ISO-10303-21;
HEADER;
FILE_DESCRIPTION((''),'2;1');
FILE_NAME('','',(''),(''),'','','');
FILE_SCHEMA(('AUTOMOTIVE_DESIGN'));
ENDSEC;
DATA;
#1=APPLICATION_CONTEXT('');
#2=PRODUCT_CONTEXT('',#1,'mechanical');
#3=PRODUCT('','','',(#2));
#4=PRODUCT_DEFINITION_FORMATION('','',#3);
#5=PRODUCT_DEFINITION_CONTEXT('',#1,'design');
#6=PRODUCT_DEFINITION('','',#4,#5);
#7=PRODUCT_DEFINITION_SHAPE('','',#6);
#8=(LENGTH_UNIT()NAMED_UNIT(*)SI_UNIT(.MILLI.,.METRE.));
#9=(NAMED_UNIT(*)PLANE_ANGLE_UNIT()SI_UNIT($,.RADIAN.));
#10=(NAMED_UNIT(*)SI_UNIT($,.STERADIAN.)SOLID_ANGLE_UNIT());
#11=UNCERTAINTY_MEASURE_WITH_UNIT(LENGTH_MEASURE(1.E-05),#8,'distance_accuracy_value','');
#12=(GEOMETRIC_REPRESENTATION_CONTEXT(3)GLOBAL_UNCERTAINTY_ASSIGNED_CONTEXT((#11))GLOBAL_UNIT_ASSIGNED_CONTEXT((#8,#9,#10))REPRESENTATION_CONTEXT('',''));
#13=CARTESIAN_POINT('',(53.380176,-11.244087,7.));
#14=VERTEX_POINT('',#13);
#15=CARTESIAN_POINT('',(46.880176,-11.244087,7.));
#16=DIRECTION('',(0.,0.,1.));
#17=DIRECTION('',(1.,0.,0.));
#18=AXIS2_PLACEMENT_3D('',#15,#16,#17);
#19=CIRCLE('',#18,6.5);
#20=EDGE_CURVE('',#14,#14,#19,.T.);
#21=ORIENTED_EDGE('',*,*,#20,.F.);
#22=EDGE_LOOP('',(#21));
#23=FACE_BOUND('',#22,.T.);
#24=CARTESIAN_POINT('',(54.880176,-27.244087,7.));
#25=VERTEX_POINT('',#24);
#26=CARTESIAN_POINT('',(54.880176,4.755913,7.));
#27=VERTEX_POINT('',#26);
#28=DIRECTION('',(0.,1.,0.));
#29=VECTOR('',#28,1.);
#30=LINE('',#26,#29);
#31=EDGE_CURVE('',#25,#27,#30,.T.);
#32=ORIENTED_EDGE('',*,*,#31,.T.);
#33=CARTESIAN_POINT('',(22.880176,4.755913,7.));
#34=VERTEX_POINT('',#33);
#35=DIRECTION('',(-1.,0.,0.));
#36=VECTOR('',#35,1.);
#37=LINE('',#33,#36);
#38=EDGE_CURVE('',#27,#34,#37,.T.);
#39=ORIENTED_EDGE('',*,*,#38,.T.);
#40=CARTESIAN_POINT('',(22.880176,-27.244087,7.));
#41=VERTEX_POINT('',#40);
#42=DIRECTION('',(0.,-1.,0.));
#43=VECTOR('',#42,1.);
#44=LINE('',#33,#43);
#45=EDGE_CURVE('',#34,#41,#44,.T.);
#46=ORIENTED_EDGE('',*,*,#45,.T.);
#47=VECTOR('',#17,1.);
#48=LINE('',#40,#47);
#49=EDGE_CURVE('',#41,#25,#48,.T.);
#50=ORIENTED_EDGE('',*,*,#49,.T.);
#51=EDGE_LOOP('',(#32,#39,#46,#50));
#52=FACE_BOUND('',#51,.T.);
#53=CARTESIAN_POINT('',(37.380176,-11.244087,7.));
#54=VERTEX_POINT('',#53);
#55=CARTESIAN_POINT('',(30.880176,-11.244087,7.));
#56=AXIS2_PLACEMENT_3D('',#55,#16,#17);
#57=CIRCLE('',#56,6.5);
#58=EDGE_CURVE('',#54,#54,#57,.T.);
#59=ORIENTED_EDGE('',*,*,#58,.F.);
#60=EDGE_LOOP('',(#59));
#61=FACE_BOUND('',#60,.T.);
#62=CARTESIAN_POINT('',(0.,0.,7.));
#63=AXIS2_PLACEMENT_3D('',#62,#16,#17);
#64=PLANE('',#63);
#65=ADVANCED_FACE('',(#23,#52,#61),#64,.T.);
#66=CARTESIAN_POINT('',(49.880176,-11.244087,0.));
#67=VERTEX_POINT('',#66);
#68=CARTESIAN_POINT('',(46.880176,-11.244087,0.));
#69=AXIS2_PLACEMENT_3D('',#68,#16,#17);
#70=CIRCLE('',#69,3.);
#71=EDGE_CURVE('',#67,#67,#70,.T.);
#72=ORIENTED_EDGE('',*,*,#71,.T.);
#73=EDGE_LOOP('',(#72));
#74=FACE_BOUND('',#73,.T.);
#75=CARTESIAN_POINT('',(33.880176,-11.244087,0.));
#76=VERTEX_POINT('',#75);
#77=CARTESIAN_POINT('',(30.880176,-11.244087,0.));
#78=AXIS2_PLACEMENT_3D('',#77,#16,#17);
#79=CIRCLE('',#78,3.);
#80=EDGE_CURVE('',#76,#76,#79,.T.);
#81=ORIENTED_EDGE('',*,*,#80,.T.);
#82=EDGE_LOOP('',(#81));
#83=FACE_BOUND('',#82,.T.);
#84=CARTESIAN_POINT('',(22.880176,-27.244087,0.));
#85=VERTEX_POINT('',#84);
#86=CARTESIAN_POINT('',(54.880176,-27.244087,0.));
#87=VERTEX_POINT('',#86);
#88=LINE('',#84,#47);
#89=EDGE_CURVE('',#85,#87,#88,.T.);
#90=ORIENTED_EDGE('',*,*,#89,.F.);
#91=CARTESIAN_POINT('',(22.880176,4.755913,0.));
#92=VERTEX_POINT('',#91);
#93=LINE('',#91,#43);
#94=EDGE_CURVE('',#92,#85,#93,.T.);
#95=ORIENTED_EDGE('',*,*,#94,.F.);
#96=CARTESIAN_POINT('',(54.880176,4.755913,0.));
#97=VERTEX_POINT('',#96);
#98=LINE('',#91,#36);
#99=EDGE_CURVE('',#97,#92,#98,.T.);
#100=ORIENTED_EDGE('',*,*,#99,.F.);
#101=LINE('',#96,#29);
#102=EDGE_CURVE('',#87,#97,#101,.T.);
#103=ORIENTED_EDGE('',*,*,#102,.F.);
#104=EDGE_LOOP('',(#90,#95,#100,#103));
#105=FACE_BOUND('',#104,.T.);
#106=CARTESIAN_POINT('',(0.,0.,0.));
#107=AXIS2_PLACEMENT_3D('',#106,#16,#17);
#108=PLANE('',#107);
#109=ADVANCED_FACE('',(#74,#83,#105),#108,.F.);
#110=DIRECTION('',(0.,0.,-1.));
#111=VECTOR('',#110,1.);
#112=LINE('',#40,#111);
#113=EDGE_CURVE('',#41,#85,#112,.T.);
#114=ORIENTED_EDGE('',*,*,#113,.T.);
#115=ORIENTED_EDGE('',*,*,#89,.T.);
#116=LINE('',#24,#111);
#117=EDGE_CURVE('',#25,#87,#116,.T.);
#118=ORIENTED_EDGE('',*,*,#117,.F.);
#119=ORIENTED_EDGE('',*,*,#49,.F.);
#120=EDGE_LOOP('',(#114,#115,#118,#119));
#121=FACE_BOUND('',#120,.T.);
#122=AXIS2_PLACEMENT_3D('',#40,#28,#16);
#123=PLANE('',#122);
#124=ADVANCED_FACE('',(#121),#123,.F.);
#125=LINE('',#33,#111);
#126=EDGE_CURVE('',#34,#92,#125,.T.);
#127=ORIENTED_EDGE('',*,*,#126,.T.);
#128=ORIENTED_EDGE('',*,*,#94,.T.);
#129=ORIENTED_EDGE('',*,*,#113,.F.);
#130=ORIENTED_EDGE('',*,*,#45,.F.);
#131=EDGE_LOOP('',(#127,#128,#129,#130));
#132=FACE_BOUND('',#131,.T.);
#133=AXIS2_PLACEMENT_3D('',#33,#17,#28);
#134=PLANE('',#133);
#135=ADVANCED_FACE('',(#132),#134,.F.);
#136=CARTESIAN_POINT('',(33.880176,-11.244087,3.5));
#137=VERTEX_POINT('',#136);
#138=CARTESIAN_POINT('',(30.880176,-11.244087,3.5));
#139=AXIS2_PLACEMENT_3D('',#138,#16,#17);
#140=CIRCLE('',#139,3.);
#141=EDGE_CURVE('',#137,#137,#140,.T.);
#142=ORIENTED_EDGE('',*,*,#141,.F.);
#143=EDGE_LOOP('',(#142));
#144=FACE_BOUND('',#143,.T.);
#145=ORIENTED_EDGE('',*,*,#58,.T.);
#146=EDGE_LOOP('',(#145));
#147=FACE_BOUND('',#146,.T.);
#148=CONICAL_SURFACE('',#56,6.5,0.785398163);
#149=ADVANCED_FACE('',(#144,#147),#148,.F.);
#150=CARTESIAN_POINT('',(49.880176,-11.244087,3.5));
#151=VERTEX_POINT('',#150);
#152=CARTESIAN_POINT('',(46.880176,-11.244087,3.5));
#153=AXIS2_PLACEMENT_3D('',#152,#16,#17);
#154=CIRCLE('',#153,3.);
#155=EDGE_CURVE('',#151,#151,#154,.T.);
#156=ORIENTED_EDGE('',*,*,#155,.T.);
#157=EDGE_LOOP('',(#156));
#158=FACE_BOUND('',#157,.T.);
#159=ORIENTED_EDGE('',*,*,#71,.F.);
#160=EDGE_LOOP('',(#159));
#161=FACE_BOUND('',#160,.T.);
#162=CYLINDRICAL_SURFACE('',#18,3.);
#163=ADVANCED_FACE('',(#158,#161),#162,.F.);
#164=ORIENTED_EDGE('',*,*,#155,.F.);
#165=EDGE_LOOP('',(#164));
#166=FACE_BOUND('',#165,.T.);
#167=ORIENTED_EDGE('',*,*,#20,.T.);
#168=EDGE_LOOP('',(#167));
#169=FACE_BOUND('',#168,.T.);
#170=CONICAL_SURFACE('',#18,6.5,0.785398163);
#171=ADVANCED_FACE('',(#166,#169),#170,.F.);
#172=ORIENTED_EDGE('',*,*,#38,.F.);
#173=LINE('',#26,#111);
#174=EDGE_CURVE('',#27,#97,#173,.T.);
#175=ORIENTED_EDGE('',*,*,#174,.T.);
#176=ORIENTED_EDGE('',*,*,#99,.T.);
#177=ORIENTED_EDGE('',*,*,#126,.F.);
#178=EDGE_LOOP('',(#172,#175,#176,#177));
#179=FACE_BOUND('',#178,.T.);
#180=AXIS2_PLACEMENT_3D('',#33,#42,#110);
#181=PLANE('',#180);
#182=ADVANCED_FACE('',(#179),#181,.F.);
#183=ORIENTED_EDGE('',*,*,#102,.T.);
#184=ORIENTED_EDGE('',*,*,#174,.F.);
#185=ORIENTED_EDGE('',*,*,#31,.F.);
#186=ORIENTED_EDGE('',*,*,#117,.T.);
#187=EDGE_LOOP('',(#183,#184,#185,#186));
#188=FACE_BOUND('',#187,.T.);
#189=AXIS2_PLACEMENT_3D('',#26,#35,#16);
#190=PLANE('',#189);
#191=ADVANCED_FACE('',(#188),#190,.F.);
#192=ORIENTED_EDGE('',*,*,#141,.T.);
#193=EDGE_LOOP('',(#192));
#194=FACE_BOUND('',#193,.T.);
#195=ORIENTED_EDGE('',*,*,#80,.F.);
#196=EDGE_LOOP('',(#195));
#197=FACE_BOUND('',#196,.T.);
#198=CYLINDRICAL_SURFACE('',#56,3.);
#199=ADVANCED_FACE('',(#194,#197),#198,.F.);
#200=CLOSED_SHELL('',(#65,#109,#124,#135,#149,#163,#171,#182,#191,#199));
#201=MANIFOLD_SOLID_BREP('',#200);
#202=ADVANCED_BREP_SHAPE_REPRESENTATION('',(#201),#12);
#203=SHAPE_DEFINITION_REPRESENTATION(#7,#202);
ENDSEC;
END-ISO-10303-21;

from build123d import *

# Parameters (mm, degrees)
SKETCH1_W                                           = 32
SKETCH1_H                                           = 32
BOSS_EXTRUDE1_DEPTH                                 = 7
CSK_FOR_M6_COUNTERSUNK_FLAT_HEAD_SCREW2_D           = 6
CSK_FOR_M6_COUNTERSUNK_FLAT_HEAD_SCREW2_DEPTH       = 23
CSK_FOR_M6_COUNTERSUNK_FLAT_HEAD_SCREW2_CSINK_D     = 13
CSK_FOR_M6_COUNTERSUNK_FLAT_HEAD_SCREW2_CSINK_ANGLE = 90
CSK_FOR_M6_COUNTERSUNK_FLAT_HEAD_SCREW2_TIP         = 1.802581857


with BuildPart() as part:
    # Sketch1 → Boss-Extrude1 (new body)
    with BuildSketch(Plane.XY):
        with Locations((38.880175665, -11.244087205)):
            Rectangle(SKETCH1_W, SKETCH1_H)
    extrude(amount=BOSS_EXTRUDE1_DEPTH)

    # CSK for M6 Countersunk Flat Head Screw2
    with Locations(Plane.XY.offset(7)):
        with Locations((30.880175665, -11.244087205), (46.880175665, -11.244087205)):
            CounterSinkHole(CSK_FOR_M6_COUNTERSUNK_FLAT_HEAD_SCREW2_D / 2, CSK_FOR_M6_COUNTERSUNK_FLAT_HEAD_SCREW2_CSINK_D / 2, depth=CSK_FOR_M6_COUNTERSUNK_FLAT_HEAD_SCREW2_DEPTH, counter_sink_angle=CSK_FOR_M6_COUNTERSUNK_FLAT_HEAD_SCREW2_CSINK_ANGLE)
            with Locations((0, 0, -(CSK_FOR_M6_COUNTERSUNK_FLAT_HEAD_SCREW2_DEPTH + CSK_FOR_M6_COUNTERSUNK_FLAT_HEAD_SCREW2_TIP / 2))):  # 118° drill point
                Cone(0, CSK_FOR_M6_COUNTERSUNK_FLAT_HEAD_SCREW2_D / 2, CSK_FOR_M6_COUNTERSUNK_FLAT_HEAD_SCREW2_TIP, mode=Mode.SUBTRACT)


solid = part.part
